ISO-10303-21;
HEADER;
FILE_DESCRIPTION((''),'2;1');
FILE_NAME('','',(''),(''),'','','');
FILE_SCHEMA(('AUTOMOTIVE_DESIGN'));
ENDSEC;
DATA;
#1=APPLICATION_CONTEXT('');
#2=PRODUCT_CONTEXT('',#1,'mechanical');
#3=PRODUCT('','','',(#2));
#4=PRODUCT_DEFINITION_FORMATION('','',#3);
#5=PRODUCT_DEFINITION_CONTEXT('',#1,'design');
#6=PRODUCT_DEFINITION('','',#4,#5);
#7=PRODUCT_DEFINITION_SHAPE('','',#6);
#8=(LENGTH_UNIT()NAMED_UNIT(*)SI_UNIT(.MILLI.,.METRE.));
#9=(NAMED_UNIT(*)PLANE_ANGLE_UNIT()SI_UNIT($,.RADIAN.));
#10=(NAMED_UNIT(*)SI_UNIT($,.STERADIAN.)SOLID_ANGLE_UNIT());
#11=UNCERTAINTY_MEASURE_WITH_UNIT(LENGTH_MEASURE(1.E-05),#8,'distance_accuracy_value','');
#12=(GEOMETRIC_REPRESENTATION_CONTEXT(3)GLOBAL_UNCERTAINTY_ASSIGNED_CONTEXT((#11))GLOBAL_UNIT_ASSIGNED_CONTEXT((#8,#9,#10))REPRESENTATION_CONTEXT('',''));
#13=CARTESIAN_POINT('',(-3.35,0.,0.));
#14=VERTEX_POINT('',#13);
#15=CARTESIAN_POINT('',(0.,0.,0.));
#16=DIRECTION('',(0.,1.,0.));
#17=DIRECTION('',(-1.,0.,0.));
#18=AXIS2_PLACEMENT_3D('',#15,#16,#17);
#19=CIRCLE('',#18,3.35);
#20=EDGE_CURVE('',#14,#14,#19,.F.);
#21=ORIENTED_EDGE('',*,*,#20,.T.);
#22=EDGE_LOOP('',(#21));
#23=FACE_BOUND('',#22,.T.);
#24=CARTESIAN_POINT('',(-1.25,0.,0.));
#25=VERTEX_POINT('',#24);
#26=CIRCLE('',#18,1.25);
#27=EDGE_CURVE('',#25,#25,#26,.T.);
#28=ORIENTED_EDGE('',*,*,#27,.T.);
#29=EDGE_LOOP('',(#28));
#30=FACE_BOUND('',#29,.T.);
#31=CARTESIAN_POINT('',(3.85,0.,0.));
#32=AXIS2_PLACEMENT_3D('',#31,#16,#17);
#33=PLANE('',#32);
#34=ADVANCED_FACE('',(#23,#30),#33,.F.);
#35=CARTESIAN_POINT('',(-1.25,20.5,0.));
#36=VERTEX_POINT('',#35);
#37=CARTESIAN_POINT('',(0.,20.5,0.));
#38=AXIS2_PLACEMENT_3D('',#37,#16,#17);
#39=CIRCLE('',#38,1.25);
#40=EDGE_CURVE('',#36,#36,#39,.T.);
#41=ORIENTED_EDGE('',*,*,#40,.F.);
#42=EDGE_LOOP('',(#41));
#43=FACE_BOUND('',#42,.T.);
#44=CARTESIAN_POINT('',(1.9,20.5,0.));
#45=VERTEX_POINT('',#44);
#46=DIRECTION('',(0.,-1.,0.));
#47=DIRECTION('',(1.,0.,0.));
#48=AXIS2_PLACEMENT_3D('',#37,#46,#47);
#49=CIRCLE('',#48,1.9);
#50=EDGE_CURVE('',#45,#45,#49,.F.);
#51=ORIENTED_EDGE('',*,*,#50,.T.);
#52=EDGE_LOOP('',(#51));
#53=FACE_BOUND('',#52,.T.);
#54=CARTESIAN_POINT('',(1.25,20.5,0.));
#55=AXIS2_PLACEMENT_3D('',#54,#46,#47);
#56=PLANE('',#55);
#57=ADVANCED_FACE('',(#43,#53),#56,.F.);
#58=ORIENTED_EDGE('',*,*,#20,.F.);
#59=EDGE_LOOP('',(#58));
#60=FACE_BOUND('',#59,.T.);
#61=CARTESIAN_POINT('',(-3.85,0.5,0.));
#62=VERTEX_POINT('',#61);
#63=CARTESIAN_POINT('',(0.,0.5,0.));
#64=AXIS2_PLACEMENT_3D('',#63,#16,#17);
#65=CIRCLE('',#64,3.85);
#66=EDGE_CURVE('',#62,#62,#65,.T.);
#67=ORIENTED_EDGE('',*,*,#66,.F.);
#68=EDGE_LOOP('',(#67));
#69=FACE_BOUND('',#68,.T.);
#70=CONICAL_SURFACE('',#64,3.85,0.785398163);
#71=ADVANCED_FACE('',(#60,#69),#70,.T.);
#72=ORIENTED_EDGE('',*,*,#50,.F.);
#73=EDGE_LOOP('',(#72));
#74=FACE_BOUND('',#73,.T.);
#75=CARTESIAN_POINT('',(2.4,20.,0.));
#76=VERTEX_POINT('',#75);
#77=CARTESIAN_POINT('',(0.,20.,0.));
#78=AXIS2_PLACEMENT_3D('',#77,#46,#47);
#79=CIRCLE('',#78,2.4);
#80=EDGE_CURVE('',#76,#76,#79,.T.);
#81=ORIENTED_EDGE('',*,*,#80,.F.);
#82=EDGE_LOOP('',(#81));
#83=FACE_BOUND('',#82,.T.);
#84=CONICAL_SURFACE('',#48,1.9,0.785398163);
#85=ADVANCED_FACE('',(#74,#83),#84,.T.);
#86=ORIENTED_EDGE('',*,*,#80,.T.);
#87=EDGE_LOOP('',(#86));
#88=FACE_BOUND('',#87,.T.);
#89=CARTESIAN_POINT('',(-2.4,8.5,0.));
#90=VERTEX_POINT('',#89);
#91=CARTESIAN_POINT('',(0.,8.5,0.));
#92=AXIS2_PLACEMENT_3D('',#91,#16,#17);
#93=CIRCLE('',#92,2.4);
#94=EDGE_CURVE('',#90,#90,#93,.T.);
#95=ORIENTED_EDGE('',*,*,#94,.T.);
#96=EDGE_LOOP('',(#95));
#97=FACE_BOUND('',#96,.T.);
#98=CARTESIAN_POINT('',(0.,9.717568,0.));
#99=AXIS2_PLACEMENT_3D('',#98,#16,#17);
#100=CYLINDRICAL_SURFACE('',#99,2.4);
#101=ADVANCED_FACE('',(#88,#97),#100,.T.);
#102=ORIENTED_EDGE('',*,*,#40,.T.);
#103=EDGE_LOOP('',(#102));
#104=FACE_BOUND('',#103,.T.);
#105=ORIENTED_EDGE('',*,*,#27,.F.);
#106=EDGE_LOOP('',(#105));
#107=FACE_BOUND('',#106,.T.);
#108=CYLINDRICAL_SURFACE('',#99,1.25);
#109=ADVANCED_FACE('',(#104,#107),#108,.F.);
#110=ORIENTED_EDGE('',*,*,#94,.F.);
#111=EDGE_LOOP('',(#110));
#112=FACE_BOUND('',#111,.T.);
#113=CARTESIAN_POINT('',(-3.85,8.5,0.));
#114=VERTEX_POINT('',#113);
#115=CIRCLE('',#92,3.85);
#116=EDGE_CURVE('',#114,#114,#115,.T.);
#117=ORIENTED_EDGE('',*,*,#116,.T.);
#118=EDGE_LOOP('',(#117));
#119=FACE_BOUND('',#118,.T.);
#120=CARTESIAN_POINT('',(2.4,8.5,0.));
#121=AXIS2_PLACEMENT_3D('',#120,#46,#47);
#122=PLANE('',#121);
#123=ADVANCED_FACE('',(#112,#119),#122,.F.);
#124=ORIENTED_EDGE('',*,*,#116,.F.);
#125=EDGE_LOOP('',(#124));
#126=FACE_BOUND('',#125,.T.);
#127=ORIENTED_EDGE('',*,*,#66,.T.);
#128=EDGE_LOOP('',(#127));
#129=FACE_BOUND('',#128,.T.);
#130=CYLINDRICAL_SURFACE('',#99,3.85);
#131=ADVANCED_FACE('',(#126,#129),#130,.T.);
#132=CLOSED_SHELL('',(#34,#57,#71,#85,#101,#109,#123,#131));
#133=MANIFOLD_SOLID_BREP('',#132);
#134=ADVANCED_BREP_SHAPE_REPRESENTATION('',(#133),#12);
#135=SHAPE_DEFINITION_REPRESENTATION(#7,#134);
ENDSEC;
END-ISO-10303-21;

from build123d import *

# Parameters (mm, degrees)
CHAMFER1_SIZE = 0.5


with BuildPart() as part:
    # Sketch1 → Revolve1 (revolve)
    with BuildSketch(Plane.XY):
        Polygon((1.25, 0), (1.25, 20.5), (2.4, 20.5), (2.4, 8.5), (3.85, 8.5), (3.85, 0), align=None)
    revolve(axis=Axis((0, 9.717567568, 0), (0, -1, 0)))

    # Chamfer1
    chamfer1_edges = [part.edges().sort_by_distance(p)[0] for p in [
        (-3.85, 0, 0),
        (-2.4, 20.5, 0),
    ]]
    chamfer(chamfer1_edges, length=CHAMFER1_SIZE)


solid = part.part
